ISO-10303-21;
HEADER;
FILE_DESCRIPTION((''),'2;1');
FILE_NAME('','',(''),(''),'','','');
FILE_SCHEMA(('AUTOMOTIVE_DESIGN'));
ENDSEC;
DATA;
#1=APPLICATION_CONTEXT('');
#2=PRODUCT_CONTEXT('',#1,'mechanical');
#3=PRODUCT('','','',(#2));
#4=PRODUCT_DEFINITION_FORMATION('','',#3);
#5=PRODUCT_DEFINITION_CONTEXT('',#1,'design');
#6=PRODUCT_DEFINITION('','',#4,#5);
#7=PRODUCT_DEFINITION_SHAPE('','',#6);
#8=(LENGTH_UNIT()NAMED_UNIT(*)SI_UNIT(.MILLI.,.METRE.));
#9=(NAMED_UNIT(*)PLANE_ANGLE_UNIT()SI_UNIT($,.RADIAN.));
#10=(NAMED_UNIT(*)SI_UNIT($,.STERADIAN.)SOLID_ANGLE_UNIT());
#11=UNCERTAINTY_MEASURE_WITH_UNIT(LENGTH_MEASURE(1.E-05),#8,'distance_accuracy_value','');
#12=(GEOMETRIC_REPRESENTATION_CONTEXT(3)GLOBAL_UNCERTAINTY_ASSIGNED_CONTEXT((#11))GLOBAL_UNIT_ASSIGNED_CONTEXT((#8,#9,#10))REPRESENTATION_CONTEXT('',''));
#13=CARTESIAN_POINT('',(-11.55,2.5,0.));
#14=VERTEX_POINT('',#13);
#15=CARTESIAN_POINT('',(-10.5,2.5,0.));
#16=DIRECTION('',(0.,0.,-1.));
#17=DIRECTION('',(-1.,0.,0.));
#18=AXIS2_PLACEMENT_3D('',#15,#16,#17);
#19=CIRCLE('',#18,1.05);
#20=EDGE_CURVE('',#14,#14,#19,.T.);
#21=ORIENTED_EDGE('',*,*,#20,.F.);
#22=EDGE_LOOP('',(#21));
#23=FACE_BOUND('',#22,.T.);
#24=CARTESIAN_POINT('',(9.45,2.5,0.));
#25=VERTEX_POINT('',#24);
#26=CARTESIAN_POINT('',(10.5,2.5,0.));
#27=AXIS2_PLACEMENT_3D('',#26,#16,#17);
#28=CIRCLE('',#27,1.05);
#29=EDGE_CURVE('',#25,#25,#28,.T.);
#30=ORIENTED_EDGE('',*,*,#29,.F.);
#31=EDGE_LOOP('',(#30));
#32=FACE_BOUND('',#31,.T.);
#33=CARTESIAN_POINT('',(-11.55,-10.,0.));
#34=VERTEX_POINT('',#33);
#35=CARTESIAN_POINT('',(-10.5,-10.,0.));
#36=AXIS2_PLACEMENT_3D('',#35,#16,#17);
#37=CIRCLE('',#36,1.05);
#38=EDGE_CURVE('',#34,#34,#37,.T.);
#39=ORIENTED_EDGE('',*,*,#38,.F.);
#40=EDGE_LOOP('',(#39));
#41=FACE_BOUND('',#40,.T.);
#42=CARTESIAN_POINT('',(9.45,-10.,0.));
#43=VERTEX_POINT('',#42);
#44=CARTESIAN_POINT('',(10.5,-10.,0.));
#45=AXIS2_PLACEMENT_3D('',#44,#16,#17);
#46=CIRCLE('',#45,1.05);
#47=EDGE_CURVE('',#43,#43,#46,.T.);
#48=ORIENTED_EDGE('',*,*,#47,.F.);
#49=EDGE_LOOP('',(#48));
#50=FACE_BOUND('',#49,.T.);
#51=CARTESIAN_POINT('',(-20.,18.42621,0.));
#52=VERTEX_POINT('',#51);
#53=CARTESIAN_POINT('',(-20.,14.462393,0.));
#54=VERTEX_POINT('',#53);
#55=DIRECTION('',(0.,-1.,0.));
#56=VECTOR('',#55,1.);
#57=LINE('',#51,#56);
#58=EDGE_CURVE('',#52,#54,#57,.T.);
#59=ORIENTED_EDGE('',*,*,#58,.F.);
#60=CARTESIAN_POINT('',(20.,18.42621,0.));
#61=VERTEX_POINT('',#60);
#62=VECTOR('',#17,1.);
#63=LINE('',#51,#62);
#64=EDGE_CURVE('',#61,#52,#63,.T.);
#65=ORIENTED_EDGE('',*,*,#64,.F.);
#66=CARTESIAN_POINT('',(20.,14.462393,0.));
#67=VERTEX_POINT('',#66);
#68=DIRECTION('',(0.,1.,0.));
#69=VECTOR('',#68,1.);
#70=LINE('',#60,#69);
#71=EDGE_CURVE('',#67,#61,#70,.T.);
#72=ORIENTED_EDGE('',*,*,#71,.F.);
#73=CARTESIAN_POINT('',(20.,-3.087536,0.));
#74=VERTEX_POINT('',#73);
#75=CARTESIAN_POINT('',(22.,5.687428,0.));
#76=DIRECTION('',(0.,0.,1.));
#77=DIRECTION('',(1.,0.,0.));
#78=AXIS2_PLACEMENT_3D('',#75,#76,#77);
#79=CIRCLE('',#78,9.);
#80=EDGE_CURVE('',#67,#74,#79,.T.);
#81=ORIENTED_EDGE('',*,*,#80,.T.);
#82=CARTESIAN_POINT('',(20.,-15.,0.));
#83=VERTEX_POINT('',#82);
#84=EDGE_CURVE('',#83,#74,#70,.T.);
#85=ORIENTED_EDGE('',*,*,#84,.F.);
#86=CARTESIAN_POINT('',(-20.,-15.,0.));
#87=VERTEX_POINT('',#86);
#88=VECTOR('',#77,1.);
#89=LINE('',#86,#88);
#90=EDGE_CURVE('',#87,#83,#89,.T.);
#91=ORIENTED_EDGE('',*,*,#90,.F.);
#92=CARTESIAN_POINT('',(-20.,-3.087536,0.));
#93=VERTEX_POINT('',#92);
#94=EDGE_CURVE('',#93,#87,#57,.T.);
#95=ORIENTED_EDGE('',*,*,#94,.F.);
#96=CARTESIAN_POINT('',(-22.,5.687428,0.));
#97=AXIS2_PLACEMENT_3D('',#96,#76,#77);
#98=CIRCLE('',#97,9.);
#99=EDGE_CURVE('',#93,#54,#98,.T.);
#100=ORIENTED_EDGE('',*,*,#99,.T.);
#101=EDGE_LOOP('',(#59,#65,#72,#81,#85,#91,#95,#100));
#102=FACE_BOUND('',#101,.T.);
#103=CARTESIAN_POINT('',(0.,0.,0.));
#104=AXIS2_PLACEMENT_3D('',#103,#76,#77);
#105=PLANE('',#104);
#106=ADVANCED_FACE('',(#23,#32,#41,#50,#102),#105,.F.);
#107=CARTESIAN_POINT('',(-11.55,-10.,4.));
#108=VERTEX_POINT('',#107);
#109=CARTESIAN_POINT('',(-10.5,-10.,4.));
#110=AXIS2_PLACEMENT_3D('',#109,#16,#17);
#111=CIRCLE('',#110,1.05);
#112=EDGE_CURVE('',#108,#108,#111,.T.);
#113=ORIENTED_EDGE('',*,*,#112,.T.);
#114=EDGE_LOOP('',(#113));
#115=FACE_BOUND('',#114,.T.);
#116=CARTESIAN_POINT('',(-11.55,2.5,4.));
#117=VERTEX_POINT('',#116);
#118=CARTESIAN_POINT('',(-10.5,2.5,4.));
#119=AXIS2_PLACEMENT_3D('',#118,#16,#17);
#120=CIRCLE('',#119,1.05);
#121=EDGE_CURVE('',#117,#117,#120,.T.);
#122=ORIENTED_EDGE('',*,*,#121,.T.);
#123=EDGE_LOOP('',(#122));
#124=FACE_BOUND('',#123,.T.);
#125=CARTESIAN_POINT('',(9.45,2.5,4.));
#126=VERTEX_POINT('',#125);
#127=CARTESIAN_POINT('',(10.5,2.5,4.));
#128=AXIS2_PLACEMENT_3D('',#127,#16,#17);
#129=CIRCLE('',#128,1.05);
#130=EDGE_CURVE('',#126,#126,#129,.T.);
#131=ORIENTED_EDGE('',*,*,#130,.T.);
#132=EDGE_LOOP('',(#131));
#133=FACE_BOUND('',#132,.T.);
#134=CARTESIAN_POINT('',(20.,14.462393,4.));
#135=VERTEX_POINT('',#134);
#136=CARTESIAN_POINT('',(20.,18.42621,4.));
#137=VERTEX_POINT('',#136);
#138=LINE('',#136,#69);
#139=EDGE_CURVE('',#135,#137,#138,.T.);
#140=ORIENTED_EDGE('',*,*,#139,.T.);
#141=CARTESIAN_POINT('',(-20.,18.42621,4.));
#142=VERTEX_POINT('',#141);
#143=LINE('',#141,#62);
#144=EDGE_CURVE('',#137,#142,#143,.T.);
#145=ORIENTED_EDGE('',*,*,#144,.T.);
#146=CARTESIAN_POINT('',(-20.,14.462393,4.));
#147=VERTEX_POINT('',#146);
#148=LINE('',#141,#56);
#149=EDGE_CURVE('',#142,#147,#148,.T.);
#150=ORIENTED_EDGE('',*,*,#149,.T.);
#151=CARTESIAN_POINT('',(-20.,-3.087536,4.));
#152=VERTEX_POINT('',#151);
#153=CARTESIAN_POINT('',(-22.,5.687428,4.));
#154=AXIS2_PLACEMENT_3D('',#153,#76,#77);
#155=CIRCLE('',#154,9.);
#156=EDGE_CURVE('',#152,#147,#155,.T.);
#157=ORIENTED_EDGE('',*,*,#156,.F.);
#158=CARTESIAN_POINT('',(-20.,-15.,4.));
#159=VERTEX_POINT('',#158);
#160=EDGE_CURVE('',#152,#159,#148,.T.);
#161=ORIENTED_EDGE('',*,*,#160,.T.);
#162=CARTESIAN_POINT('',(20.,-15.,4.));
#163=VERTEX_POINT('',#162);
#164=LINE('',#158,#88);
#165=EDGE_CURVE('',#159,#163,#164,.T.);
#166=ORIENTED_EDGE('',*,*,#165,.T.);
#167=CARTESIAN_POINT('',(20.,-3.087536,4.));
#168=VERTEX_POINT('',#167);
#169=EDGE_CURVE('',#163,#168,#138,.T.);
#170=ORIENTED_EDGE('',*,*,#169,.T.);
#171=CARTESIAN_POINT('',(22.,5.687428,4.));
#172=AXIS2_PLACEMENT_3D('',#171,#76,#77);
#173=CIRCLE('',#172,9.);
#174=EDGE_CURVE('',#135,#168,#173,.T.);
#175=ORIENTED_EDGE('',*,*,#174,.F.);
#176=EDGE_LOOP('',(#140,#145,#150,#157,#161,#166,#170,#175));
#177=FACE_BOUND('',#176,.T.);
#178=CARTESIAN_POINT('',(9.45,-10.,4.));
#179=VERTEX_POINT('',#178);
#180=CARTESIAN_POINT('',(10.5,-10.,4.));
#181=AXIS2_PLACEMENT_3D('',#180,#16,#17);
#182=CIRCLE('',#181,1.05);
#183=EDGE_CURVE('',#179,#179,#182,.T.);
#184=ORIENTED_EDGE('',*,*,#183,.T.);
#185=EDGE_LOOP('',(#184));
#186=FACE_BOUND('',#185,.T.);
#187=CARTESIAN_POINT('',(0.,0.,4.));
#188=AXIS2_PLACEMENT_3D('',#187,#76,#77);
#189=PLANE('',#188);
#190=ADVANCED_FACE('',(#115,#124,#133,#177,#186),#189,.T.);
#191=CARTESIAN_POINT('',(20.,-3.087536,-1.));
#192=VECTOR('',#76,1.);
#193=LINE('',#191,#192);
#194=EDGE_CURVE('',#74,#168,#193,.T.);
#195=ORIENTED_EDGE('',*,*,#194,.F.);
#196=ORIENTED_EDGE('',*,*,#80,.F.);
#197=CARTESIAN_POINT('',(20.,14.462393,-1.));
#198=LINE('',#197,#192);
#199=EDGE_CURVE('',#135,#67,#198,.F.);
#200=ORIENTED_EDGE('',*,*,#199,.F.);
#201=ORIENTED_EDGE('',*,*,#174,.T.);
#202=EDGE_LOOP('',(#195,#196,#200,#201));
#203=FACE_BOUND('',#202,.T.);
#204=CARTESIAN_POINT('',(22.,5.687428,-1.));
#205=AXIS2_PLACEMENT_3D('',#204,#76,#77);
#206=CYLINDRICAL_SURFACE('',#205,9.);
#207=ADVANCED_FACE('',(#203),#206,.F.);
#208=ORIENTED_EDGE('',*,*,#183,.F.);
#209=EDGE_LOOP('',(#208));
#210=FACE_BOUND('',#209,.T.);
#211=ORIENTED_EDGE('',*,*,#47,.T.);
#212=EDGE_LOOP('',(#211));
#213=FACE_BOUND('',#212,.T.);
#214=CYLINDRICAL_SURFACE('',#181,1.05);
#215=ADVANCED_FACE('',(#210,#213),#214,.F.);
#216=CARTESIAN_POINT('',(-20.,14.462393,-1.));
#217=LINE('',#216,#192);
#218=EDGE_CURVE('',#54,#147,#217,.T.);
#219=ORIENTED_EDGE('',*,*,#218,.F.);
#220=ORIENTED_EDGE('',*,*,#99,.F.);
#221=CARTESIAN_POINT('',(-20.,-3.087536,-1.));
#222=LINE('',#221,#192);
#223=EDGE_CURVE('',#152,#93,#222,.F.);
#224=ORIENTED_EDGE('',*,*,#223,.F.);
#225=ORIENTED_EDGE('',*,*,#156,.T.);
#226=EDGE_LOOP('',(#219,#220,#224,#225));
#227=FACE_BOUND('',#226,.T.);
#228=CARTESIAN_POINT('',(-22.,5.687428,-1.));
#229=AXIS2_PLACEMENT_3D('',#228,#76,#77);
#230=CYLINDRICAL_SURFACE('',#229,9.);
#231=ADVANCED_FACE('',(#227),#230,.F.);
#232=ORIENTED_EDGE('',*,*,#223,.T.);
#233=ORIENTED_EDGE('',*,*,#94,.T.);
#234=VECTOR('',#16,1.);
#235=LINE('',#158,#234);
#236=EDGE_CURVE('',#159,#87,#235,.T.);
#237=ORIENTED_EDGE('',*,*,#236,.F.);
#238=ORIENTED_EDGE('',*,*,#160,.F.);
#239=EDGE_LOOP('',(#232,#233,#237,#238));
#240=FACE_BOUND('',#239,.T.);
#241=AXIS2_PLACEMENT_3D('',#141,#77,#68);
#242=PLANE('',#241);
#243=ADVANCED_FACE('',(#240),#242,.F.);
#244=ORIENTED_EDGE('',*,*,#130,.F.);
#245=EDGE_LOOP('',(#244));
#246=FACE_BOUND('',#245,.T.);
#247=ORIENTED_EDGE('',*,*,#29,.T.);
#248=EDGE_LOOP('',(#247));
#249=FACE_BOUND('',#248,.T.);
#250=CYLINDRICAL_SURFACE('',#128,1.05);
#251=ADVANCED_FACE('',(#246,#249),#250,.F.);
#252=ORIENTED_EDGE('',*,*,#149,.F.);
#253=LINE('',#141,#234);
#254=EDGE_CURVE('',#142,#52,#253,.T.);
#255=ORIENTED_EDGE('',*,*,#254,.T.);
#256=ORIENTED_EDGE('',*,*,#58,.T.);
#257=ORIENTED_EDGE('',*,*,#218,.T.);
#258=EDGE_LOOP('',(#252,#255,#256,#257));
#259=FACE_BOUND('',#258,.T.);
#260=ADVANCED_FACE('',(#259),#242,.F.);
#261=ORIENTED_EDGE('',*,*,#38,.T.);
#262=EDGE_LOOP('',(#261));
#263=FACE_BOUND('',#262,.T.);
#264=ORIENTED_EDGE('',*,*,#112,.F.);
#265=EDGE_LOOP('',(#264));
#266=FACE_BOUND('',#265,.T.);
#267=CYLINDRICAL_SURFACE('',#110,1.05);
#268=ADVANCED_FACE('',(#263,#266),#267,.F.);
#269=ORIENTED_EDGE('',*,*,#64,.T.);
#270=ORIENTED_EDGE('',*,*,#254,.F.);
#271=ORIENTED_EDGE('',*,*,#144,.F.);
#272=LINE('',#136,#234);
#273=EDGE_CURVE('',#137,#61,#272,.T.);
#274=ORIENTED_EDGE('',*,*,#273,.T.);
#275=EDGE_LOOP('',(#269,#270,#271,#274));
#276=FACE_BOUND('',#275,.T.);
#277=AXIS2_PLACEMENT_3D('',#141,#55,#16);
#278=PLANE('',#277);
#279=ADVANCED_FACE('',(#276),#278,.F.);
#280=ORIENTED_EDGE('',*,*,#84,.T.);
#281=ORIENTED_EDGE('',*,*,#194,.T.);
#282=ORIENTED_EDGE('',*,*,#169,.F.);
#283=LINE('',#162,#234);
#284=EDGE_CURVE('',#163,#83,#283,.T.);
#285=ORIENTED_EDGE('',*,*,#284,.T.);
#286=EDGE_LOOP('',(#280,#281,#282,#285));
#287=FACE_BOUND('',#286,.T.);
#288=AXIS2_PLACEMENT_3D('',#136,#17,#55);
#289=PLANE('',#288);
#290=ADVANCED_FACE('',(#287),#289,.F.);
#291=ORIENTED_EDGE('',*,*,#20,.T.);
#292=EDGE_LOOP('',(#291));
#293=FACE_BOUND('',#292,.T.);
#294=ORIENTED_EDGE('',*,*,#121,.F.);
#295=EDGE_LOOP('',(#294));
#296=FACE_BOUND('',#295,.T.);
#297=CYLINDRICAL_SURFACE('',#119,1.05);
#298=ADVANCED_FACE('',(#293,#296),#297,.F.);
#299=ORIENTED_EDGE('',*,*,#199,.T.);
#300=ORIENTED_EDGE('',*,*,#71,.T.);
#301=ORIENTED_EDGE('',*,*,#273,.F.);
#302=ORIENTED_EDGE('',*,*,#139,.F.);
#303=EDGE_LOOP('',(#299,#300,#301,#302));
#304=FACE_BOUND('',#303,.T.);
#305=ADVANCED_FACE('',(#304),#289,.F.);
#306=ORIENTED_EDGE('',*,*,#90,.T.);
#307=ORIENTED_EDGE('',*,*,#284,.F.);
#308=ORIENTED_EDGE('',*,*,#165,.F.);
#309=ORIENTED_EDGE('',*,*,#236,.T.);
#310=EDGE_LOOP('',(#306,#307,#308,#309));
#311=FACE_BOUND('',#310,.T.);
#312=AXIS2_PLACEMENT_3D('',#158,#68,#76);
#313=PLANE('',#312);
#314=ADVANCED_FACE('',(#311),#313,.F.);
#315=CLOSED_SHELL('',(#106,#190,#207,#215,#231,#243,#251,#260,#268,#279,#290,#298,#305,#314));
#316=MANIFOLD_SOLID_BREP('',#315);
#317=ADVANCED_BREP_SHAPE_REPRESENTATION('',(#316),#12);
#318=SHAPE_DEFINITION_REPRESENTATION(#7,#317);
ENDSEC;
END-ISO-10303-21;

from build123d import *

# Parameters (mm, degrees)
SKETCH1_W           = 40
SKETCH1_H           = 33.426210179
BOSS_EXTRUDE1_DEPTH = 4
SKETCH2_R           = 1.05
CUT_EXTRUDE1_DEPTH  = 28.486819051
SKETCH3_R           = 9
CUT_EXTRUDE2_DEPTH  = 5


with BuildPart() as part:
    # Sketch1 → Boss-Extrude1 (new body)
    with BuildSketch(Plane.XY):
        with Locations((0, 1.713105089)):
            Rectangle(SKETCH1_W, SKETCH1_H)
    extrude(amount=BOSS_EXTRUDE1_DEPTH)

    # Sketch2 → Cut-Extrude1 (cut, through all)
    with BuildSketch(Plane(origin=(0, 0, 0), x_dir=(-1, 0, 0), z_dir=(0, 0, -1))):
        with Locations((-10.5, 2.5)):
            Circle(SKETCH2_R)
        with Locations((10.5, 2.5)):
            Circle(SKETCH2_R)
        with Locations((-10.5, -10)):
            Circle(SKETCH2_R)
        with Locations((10.5, -10)):
            Circle(SKETCH2_R)
    extrude(amount=-CUT_EXTRUDE1_DEPTH, mode=Mode.SUBTRACT)

    # Sketch3 → Cut-Extrude2 (cut)
    with BuildSketch(Plane.XY.offset(4)):
        with Locations((22, 5.687428233)):
            Circle(SKETCH3_R)
        with Locations((-22, 5.687428233)):
            Circle(SKETCH3_R)
    extrude(amount=-CUT_EXTRUDE2_DEPTH, mode=Mode.SUBTRACT)


solid = part.part
